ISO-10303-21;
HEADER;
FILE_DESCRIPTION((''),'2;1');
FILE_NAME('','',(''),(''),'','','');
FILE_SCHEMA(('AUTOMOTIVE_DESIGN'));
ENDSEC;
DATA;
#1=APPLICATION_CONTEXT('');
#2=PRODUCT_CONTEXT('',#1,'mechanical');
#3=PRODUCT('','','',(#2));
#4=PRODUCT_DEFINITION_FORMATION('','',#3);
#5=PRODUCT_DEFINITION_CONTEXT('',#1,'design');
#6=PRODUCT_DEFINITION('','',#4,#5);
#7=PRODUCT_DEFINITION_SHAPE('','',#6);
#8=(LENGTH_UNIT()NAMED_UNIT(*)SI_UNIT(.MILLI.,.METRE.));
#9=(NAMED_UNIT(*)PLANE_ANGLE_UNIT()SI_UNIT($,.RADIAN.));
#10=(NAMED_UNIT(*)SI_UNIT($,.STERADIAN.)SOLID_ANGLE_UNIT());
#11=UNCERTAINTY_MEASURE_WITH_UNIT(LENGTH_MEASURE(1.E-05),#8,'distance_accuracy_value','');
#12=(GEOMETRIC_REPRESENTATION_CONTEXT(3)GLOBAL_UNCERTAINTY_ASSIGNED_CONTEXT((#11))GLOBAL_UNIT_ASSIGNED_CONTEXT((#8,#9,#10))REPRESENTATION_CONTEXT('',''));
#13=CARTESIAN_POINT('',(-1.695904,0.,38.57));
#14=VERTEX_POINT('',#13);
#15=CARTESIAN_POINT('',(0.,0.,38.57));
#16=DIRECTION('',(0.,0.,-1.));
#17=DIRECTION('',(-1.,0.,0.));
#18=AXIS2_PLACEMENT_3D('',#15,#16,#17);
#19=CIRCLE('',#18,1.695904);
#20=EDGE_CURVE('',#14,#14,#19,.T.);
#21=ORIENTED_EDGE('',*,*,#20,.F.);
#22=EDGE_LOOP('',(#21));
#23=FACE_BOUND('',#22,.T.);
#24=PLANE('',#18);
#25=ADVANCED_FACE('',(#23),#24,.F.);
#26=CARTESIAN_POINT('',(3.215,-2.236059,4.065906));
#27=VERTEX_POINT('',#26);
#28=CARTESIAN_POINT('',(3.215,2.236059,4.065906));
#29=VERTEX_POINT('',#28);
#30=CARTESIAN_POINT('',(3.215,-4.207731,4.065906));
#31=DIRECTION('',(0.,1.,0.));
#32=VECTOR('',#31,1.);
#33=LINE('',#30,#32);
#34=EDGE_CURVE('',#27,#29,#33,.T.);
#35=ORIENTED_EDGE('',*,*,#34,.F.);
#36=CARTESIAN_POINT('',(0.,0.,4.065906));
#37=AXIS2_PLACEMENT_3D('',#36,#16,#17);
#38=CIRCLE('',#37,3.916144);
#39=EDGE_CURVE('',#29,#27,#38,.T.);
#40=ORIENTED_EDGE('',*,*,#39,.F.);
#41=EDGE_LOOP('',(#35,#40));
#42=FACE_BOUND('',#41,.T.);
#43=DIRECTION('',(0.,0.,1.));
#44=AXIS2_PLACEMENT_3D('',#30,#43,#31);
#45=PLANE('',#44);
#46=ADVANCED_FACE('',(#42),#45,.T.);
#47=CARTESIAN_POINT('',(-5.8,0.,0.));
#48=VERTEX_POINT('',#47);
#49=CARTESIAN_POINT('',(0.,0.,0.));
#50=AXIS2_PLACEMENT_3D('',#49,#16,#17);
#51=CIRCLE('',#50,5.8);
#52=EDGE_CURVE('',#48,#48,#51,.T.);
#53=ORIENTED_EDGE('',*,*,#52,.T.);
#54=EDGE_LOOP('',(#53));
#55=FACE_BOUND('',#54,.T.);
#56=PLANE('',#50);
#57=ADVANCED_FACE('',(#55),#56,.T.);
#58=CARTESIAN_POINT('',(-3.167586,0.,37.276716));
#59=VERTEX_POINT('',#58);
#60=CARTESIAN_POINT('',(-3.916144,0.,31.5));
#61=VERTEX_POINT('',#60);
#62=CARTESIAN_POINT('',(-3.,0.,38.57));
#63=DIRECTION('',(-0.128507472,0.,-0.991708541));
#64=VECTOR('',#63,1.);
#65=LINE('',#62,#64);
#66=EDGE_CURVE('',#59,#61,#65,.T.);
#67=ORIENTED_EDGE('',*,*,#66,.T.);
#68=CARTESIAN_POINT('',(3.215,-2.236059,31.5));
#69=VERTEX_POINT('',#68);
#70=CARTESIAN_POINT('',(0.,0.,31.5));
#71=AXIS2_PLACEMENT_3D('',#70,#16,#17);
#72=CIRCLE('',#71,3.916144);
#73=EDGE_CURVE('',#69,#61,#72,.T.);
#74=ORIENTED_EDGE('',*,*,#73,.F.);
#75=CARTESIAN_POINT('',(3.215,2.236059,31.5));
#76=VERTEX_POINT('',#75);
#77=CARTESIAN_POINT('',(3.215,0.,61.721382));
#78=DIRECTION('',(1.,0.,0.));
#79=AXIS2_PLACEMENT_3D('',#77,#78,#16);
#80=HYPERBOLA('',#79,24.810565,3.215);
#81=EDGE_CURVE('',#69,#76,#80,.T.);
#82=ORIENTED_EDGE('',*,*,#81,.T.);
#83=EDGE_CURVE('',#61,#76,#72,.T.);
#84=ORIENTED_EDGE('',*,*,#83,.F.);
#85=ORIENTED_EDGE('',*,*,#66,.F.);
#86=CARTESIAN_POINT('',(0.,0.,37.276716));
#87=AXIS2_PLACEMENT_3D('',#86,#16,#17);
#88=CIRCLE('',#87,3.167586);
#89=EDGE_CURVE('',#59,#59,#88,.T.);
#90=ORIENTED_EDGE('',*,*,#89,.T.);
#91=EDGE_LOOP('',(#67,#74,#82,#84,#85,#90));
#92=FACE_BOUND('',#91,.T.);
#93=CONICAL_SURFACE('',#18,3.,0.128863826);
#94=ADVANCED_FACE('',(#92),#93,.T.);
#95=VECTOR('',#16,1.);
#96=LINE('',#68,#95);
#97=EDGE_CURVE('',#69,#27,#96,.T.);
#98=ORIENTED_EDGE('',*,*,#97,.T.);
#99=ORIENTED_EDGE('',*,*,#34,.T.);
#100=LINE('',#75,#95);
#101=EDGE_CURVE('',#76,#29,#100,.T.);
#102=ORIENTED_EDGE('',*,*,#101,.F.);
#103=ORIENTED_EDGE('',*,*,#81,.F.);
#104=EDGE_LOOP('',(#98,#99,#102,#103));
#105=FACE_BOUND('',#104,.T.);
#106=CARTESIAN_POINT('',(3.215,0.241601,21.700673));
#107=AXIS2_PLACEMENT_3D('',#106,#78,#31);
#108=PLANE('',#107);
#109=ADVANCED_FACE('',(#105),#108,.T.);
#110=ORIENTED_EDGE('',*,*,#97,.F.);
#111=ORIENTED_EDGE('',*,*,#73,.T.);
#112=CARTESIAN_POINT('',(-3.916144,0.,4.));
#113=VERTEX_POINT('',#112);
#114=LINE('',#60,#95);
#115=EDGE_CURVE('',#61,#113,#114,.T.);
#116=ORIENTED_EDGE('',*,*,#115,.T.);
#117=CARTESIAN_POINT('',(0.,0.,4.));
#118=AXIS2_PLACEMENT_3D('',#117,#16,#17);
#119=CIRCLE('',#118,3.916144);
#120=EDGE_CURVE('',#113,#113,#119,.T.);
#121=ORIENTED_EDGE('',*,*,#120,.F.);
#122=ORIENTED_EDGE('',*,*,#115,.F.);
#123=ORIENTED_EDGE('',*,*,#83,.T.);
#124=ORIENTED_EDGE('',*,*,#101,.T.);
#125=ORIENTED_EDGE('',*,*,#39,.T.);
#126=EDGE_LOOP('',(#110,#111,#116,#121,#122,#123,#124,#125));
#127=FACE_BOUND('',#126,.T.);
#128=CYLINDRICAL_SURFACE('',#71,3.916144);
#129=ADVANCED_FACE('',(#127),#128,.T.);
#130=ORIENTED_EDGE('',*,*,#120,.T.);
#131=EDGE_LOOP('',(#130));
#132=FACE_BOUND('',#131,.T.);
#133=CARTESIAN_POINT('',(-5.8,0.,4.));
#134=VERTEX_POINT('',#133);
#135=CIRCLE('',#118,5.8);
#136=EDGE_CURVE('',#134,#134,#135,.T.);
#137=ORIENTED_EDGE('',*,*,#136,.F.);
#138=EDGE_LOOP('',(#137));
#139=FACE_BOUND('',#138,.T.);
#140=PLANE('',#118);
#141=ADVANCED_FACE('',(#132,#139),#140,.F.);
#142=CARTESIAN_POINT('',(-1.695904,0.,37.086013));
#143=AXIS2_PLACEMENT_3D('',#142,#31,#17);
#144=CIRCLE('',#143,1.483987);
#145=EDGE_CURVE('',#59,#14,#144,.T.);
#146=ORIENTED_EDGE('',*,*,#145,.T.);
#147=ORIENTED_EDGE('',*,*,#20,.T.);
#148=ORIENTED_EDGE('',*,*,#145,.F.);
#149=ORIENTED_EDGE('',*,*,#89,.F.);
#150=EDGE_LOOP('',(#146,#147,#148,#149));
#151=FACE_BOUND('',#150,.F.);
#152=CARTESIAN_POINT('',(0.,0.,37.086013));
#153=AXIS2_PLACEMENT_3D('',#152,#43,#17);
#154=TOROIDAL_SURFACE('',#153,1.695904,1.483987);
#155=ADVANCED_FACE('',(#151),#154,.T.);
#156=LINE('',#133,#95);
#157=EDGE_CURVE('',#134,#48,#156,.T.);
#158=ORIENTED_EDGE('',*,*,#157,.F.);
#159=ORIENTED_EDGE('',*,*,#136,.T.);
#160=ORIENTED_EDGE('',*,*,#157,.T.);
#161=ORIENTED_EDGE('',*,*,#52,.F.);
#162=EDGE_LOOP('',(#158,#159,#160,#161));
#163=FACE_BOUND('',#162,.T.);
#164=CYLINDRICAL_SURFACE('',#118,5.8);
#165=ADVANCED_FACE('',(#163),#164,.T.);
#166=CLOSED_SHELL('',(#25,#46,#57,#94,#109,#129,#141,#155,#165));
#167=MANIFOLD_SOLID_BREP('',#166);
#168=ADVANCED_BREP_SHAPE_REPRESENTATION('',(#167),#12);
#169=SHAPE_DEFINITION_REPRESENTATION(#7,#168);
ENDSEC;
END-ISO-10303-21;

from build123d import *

# Parameters (mm, degrees)
F4_DEPTH = 9.6
F5_R     = 1.483987


with BuildPart() as f1:
    # F0 (on Front) → F1 (revolve)
    with BuildSketch(Plane.XZ):
        Polygon((-5.8, 0), (0, 0), (0, 38.57), (-3, 38.57), (-3.916144, 31.5), (-3.916144, 4), (-5.8, 4), align=None)
    revolve(axis=Axis((0, 0, 19.285), (0, 0, -1)))

    # F3 (on offset) → F4 (cut)
    with BuildSketch(Plane.YZ.offset(3.215)):
        Polygon((-4.207731, 39.193626), (-4.207731, 4.065906), (4.512294, 4.065906), (4.867772, 39.193626), align=None)
    extrude(amount=F4_DEPTH, mode=Mode.SUBTRACT)

    # F5
    f5_edges = [f1.edges().sort_by_distance(p)[0] for p in [
        (3, 0, 38.57),
    ]]
    fillet(f5_edges, radius=F5_R)


solid = f1.part
